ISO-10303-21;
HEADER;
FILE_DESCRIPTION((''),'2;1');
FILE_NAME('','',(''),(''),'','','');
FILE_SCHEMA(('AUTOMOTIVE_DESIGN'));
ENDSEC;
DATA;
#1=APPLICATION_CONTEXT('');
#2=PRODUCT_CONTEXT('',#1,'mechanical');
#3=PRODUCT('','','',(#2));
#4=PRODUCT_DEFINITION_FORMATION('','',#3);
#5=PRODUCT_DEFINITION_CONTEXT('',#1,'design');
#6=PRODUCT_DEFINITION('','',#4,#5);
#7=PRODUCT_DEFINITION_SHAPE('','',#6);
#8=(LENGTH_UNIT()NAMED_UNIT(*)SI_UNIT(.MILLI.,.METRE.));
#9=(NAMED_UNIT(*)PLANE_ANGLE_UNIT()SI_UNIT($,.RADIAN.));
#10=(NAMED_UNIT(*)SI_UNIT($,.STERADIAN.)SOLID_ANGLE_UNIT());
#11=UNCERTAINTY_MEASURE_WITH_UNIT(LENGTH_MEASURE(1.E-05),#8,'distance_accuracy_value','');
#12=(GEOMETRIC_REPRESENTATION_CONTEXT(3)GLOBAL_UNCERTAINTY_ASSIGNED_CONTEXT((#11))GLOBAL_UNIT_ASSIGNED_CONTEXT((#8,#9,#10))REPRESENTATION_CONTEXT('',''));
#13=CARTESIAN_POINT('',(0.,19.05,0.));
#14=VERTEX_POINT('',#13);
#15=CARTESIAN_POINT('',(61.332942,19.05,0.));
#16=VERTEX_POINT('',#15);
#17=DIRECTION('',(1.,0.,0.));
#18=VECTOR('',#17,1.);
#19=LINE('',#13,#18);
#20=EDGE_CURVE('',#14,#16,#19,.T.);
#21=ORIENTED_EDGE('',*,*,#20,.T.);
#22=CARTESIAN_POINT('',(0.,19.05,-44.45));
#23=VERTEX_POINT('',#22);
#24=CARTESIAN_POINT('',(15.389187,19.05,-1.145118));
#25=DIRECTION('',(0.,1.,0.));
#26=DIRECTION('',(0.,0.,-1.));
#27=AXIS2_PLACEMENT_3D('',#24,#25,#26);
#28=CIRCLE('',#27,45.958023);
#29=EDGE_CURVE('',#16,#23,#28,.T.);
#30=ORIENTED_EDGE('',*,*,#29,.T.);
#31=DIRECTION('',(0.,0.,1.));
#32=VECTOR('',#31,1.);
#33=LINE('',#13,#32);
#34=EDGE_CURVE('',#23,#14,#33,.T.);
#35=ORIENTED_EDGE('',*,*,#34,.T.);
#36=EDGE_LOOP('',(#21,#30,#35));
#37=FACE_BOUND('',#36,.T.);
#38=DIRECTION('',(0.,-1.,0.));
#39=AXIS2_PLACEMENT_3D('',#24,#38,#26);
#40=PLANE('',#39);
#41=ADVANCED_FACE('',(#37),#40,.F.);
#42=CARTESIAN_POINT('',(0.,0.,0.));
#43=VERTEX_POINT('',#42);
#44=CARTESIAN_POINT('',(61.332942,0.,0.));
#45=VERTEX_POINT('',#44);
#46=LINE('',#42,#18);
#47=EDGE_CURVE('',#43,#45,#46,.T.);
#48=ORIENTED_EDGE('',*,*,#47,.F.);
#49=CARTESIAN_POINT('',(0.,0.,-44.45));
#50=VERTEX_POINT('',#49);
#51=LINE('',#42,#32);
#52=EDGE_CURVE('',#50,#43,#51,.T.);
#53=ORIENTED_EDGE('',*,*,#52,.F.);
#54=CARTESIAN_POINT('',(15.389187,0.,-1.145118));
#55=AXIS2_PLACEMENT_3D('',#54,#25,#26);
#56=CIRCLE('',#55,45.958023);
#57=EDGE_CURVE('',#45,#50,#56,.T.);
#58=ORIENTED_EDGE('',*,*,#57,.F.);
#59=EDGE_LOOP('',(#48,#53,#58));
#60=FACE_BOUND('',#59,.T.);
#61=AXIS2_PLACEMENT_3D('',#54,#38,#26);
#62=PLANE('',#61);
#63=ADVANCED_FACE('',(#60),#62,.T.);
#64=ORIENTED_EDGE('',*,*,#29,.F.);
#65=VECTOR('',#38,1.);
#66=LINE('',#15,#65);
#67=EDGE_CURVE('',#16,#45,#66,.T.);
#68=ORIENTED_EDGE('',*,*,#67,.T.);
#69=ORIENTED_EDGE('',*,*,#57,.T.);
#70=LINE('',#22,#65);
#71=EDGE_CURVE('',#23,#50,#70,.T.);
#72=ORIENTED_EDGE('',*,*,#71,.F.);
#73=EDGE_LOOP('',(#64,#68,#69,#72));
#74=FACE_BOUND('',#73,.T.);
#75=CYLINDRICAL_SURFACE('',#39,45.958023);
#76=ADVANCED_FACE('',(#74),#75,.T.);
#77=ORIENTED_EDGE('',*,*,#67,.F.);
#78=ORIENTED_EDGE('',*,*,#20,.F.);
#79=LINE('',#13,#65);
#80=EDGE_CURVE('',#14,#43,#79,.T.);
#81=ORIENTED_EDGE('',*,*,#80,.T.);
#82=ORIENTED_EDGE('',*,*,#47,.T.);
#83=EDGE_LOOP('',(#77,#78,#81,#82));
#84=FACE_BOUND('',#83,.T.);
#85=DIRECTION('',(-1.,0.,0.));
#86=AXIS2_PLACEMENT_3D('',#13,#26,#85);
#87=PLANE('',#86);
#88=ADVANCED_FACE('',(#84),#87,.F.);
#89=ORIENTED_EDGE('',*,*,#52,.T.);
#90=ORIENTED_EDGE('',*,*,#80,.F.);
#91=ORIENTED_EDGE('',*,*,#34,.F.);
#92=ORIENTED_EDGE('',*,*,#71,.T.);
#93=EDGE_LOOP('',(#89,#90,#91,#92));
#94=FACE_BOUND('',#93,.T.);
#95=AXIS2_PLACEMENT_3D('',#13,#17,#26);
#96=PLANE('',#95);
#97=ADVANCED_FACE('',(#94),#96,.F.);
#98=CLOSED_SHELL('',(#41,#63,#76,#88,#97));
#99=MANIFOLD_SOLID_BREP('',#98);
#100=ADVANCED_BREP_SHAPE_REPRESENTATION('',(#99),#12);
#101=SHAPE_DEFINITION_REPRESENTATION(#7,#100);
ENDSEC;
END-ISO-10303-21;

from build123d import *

# Parameters (mm, degrees)
BOSS_EXTRUDE1_DEPTH = 19.05


with BuildPart() as part:
    # Sketch1 → Boss-Extrude1 (new body)
    with BuildSketch(Plane(origin=(0, 0, 0), x_dir=(1, 0, 0), z_dir=(0, 1, 0))):
        with BuildLine():
            Line((0, 0), (0, 44.45))
            ThreePointArc((0, 44.45), (42.358540688, 38.357936562), (61.332942098, 0))
            Line((61.332942098, 0), (0, 0))
        make_face()
    extrude(amount=BOSS_EXTRUDE1_DEPTH)


solid = part.part
